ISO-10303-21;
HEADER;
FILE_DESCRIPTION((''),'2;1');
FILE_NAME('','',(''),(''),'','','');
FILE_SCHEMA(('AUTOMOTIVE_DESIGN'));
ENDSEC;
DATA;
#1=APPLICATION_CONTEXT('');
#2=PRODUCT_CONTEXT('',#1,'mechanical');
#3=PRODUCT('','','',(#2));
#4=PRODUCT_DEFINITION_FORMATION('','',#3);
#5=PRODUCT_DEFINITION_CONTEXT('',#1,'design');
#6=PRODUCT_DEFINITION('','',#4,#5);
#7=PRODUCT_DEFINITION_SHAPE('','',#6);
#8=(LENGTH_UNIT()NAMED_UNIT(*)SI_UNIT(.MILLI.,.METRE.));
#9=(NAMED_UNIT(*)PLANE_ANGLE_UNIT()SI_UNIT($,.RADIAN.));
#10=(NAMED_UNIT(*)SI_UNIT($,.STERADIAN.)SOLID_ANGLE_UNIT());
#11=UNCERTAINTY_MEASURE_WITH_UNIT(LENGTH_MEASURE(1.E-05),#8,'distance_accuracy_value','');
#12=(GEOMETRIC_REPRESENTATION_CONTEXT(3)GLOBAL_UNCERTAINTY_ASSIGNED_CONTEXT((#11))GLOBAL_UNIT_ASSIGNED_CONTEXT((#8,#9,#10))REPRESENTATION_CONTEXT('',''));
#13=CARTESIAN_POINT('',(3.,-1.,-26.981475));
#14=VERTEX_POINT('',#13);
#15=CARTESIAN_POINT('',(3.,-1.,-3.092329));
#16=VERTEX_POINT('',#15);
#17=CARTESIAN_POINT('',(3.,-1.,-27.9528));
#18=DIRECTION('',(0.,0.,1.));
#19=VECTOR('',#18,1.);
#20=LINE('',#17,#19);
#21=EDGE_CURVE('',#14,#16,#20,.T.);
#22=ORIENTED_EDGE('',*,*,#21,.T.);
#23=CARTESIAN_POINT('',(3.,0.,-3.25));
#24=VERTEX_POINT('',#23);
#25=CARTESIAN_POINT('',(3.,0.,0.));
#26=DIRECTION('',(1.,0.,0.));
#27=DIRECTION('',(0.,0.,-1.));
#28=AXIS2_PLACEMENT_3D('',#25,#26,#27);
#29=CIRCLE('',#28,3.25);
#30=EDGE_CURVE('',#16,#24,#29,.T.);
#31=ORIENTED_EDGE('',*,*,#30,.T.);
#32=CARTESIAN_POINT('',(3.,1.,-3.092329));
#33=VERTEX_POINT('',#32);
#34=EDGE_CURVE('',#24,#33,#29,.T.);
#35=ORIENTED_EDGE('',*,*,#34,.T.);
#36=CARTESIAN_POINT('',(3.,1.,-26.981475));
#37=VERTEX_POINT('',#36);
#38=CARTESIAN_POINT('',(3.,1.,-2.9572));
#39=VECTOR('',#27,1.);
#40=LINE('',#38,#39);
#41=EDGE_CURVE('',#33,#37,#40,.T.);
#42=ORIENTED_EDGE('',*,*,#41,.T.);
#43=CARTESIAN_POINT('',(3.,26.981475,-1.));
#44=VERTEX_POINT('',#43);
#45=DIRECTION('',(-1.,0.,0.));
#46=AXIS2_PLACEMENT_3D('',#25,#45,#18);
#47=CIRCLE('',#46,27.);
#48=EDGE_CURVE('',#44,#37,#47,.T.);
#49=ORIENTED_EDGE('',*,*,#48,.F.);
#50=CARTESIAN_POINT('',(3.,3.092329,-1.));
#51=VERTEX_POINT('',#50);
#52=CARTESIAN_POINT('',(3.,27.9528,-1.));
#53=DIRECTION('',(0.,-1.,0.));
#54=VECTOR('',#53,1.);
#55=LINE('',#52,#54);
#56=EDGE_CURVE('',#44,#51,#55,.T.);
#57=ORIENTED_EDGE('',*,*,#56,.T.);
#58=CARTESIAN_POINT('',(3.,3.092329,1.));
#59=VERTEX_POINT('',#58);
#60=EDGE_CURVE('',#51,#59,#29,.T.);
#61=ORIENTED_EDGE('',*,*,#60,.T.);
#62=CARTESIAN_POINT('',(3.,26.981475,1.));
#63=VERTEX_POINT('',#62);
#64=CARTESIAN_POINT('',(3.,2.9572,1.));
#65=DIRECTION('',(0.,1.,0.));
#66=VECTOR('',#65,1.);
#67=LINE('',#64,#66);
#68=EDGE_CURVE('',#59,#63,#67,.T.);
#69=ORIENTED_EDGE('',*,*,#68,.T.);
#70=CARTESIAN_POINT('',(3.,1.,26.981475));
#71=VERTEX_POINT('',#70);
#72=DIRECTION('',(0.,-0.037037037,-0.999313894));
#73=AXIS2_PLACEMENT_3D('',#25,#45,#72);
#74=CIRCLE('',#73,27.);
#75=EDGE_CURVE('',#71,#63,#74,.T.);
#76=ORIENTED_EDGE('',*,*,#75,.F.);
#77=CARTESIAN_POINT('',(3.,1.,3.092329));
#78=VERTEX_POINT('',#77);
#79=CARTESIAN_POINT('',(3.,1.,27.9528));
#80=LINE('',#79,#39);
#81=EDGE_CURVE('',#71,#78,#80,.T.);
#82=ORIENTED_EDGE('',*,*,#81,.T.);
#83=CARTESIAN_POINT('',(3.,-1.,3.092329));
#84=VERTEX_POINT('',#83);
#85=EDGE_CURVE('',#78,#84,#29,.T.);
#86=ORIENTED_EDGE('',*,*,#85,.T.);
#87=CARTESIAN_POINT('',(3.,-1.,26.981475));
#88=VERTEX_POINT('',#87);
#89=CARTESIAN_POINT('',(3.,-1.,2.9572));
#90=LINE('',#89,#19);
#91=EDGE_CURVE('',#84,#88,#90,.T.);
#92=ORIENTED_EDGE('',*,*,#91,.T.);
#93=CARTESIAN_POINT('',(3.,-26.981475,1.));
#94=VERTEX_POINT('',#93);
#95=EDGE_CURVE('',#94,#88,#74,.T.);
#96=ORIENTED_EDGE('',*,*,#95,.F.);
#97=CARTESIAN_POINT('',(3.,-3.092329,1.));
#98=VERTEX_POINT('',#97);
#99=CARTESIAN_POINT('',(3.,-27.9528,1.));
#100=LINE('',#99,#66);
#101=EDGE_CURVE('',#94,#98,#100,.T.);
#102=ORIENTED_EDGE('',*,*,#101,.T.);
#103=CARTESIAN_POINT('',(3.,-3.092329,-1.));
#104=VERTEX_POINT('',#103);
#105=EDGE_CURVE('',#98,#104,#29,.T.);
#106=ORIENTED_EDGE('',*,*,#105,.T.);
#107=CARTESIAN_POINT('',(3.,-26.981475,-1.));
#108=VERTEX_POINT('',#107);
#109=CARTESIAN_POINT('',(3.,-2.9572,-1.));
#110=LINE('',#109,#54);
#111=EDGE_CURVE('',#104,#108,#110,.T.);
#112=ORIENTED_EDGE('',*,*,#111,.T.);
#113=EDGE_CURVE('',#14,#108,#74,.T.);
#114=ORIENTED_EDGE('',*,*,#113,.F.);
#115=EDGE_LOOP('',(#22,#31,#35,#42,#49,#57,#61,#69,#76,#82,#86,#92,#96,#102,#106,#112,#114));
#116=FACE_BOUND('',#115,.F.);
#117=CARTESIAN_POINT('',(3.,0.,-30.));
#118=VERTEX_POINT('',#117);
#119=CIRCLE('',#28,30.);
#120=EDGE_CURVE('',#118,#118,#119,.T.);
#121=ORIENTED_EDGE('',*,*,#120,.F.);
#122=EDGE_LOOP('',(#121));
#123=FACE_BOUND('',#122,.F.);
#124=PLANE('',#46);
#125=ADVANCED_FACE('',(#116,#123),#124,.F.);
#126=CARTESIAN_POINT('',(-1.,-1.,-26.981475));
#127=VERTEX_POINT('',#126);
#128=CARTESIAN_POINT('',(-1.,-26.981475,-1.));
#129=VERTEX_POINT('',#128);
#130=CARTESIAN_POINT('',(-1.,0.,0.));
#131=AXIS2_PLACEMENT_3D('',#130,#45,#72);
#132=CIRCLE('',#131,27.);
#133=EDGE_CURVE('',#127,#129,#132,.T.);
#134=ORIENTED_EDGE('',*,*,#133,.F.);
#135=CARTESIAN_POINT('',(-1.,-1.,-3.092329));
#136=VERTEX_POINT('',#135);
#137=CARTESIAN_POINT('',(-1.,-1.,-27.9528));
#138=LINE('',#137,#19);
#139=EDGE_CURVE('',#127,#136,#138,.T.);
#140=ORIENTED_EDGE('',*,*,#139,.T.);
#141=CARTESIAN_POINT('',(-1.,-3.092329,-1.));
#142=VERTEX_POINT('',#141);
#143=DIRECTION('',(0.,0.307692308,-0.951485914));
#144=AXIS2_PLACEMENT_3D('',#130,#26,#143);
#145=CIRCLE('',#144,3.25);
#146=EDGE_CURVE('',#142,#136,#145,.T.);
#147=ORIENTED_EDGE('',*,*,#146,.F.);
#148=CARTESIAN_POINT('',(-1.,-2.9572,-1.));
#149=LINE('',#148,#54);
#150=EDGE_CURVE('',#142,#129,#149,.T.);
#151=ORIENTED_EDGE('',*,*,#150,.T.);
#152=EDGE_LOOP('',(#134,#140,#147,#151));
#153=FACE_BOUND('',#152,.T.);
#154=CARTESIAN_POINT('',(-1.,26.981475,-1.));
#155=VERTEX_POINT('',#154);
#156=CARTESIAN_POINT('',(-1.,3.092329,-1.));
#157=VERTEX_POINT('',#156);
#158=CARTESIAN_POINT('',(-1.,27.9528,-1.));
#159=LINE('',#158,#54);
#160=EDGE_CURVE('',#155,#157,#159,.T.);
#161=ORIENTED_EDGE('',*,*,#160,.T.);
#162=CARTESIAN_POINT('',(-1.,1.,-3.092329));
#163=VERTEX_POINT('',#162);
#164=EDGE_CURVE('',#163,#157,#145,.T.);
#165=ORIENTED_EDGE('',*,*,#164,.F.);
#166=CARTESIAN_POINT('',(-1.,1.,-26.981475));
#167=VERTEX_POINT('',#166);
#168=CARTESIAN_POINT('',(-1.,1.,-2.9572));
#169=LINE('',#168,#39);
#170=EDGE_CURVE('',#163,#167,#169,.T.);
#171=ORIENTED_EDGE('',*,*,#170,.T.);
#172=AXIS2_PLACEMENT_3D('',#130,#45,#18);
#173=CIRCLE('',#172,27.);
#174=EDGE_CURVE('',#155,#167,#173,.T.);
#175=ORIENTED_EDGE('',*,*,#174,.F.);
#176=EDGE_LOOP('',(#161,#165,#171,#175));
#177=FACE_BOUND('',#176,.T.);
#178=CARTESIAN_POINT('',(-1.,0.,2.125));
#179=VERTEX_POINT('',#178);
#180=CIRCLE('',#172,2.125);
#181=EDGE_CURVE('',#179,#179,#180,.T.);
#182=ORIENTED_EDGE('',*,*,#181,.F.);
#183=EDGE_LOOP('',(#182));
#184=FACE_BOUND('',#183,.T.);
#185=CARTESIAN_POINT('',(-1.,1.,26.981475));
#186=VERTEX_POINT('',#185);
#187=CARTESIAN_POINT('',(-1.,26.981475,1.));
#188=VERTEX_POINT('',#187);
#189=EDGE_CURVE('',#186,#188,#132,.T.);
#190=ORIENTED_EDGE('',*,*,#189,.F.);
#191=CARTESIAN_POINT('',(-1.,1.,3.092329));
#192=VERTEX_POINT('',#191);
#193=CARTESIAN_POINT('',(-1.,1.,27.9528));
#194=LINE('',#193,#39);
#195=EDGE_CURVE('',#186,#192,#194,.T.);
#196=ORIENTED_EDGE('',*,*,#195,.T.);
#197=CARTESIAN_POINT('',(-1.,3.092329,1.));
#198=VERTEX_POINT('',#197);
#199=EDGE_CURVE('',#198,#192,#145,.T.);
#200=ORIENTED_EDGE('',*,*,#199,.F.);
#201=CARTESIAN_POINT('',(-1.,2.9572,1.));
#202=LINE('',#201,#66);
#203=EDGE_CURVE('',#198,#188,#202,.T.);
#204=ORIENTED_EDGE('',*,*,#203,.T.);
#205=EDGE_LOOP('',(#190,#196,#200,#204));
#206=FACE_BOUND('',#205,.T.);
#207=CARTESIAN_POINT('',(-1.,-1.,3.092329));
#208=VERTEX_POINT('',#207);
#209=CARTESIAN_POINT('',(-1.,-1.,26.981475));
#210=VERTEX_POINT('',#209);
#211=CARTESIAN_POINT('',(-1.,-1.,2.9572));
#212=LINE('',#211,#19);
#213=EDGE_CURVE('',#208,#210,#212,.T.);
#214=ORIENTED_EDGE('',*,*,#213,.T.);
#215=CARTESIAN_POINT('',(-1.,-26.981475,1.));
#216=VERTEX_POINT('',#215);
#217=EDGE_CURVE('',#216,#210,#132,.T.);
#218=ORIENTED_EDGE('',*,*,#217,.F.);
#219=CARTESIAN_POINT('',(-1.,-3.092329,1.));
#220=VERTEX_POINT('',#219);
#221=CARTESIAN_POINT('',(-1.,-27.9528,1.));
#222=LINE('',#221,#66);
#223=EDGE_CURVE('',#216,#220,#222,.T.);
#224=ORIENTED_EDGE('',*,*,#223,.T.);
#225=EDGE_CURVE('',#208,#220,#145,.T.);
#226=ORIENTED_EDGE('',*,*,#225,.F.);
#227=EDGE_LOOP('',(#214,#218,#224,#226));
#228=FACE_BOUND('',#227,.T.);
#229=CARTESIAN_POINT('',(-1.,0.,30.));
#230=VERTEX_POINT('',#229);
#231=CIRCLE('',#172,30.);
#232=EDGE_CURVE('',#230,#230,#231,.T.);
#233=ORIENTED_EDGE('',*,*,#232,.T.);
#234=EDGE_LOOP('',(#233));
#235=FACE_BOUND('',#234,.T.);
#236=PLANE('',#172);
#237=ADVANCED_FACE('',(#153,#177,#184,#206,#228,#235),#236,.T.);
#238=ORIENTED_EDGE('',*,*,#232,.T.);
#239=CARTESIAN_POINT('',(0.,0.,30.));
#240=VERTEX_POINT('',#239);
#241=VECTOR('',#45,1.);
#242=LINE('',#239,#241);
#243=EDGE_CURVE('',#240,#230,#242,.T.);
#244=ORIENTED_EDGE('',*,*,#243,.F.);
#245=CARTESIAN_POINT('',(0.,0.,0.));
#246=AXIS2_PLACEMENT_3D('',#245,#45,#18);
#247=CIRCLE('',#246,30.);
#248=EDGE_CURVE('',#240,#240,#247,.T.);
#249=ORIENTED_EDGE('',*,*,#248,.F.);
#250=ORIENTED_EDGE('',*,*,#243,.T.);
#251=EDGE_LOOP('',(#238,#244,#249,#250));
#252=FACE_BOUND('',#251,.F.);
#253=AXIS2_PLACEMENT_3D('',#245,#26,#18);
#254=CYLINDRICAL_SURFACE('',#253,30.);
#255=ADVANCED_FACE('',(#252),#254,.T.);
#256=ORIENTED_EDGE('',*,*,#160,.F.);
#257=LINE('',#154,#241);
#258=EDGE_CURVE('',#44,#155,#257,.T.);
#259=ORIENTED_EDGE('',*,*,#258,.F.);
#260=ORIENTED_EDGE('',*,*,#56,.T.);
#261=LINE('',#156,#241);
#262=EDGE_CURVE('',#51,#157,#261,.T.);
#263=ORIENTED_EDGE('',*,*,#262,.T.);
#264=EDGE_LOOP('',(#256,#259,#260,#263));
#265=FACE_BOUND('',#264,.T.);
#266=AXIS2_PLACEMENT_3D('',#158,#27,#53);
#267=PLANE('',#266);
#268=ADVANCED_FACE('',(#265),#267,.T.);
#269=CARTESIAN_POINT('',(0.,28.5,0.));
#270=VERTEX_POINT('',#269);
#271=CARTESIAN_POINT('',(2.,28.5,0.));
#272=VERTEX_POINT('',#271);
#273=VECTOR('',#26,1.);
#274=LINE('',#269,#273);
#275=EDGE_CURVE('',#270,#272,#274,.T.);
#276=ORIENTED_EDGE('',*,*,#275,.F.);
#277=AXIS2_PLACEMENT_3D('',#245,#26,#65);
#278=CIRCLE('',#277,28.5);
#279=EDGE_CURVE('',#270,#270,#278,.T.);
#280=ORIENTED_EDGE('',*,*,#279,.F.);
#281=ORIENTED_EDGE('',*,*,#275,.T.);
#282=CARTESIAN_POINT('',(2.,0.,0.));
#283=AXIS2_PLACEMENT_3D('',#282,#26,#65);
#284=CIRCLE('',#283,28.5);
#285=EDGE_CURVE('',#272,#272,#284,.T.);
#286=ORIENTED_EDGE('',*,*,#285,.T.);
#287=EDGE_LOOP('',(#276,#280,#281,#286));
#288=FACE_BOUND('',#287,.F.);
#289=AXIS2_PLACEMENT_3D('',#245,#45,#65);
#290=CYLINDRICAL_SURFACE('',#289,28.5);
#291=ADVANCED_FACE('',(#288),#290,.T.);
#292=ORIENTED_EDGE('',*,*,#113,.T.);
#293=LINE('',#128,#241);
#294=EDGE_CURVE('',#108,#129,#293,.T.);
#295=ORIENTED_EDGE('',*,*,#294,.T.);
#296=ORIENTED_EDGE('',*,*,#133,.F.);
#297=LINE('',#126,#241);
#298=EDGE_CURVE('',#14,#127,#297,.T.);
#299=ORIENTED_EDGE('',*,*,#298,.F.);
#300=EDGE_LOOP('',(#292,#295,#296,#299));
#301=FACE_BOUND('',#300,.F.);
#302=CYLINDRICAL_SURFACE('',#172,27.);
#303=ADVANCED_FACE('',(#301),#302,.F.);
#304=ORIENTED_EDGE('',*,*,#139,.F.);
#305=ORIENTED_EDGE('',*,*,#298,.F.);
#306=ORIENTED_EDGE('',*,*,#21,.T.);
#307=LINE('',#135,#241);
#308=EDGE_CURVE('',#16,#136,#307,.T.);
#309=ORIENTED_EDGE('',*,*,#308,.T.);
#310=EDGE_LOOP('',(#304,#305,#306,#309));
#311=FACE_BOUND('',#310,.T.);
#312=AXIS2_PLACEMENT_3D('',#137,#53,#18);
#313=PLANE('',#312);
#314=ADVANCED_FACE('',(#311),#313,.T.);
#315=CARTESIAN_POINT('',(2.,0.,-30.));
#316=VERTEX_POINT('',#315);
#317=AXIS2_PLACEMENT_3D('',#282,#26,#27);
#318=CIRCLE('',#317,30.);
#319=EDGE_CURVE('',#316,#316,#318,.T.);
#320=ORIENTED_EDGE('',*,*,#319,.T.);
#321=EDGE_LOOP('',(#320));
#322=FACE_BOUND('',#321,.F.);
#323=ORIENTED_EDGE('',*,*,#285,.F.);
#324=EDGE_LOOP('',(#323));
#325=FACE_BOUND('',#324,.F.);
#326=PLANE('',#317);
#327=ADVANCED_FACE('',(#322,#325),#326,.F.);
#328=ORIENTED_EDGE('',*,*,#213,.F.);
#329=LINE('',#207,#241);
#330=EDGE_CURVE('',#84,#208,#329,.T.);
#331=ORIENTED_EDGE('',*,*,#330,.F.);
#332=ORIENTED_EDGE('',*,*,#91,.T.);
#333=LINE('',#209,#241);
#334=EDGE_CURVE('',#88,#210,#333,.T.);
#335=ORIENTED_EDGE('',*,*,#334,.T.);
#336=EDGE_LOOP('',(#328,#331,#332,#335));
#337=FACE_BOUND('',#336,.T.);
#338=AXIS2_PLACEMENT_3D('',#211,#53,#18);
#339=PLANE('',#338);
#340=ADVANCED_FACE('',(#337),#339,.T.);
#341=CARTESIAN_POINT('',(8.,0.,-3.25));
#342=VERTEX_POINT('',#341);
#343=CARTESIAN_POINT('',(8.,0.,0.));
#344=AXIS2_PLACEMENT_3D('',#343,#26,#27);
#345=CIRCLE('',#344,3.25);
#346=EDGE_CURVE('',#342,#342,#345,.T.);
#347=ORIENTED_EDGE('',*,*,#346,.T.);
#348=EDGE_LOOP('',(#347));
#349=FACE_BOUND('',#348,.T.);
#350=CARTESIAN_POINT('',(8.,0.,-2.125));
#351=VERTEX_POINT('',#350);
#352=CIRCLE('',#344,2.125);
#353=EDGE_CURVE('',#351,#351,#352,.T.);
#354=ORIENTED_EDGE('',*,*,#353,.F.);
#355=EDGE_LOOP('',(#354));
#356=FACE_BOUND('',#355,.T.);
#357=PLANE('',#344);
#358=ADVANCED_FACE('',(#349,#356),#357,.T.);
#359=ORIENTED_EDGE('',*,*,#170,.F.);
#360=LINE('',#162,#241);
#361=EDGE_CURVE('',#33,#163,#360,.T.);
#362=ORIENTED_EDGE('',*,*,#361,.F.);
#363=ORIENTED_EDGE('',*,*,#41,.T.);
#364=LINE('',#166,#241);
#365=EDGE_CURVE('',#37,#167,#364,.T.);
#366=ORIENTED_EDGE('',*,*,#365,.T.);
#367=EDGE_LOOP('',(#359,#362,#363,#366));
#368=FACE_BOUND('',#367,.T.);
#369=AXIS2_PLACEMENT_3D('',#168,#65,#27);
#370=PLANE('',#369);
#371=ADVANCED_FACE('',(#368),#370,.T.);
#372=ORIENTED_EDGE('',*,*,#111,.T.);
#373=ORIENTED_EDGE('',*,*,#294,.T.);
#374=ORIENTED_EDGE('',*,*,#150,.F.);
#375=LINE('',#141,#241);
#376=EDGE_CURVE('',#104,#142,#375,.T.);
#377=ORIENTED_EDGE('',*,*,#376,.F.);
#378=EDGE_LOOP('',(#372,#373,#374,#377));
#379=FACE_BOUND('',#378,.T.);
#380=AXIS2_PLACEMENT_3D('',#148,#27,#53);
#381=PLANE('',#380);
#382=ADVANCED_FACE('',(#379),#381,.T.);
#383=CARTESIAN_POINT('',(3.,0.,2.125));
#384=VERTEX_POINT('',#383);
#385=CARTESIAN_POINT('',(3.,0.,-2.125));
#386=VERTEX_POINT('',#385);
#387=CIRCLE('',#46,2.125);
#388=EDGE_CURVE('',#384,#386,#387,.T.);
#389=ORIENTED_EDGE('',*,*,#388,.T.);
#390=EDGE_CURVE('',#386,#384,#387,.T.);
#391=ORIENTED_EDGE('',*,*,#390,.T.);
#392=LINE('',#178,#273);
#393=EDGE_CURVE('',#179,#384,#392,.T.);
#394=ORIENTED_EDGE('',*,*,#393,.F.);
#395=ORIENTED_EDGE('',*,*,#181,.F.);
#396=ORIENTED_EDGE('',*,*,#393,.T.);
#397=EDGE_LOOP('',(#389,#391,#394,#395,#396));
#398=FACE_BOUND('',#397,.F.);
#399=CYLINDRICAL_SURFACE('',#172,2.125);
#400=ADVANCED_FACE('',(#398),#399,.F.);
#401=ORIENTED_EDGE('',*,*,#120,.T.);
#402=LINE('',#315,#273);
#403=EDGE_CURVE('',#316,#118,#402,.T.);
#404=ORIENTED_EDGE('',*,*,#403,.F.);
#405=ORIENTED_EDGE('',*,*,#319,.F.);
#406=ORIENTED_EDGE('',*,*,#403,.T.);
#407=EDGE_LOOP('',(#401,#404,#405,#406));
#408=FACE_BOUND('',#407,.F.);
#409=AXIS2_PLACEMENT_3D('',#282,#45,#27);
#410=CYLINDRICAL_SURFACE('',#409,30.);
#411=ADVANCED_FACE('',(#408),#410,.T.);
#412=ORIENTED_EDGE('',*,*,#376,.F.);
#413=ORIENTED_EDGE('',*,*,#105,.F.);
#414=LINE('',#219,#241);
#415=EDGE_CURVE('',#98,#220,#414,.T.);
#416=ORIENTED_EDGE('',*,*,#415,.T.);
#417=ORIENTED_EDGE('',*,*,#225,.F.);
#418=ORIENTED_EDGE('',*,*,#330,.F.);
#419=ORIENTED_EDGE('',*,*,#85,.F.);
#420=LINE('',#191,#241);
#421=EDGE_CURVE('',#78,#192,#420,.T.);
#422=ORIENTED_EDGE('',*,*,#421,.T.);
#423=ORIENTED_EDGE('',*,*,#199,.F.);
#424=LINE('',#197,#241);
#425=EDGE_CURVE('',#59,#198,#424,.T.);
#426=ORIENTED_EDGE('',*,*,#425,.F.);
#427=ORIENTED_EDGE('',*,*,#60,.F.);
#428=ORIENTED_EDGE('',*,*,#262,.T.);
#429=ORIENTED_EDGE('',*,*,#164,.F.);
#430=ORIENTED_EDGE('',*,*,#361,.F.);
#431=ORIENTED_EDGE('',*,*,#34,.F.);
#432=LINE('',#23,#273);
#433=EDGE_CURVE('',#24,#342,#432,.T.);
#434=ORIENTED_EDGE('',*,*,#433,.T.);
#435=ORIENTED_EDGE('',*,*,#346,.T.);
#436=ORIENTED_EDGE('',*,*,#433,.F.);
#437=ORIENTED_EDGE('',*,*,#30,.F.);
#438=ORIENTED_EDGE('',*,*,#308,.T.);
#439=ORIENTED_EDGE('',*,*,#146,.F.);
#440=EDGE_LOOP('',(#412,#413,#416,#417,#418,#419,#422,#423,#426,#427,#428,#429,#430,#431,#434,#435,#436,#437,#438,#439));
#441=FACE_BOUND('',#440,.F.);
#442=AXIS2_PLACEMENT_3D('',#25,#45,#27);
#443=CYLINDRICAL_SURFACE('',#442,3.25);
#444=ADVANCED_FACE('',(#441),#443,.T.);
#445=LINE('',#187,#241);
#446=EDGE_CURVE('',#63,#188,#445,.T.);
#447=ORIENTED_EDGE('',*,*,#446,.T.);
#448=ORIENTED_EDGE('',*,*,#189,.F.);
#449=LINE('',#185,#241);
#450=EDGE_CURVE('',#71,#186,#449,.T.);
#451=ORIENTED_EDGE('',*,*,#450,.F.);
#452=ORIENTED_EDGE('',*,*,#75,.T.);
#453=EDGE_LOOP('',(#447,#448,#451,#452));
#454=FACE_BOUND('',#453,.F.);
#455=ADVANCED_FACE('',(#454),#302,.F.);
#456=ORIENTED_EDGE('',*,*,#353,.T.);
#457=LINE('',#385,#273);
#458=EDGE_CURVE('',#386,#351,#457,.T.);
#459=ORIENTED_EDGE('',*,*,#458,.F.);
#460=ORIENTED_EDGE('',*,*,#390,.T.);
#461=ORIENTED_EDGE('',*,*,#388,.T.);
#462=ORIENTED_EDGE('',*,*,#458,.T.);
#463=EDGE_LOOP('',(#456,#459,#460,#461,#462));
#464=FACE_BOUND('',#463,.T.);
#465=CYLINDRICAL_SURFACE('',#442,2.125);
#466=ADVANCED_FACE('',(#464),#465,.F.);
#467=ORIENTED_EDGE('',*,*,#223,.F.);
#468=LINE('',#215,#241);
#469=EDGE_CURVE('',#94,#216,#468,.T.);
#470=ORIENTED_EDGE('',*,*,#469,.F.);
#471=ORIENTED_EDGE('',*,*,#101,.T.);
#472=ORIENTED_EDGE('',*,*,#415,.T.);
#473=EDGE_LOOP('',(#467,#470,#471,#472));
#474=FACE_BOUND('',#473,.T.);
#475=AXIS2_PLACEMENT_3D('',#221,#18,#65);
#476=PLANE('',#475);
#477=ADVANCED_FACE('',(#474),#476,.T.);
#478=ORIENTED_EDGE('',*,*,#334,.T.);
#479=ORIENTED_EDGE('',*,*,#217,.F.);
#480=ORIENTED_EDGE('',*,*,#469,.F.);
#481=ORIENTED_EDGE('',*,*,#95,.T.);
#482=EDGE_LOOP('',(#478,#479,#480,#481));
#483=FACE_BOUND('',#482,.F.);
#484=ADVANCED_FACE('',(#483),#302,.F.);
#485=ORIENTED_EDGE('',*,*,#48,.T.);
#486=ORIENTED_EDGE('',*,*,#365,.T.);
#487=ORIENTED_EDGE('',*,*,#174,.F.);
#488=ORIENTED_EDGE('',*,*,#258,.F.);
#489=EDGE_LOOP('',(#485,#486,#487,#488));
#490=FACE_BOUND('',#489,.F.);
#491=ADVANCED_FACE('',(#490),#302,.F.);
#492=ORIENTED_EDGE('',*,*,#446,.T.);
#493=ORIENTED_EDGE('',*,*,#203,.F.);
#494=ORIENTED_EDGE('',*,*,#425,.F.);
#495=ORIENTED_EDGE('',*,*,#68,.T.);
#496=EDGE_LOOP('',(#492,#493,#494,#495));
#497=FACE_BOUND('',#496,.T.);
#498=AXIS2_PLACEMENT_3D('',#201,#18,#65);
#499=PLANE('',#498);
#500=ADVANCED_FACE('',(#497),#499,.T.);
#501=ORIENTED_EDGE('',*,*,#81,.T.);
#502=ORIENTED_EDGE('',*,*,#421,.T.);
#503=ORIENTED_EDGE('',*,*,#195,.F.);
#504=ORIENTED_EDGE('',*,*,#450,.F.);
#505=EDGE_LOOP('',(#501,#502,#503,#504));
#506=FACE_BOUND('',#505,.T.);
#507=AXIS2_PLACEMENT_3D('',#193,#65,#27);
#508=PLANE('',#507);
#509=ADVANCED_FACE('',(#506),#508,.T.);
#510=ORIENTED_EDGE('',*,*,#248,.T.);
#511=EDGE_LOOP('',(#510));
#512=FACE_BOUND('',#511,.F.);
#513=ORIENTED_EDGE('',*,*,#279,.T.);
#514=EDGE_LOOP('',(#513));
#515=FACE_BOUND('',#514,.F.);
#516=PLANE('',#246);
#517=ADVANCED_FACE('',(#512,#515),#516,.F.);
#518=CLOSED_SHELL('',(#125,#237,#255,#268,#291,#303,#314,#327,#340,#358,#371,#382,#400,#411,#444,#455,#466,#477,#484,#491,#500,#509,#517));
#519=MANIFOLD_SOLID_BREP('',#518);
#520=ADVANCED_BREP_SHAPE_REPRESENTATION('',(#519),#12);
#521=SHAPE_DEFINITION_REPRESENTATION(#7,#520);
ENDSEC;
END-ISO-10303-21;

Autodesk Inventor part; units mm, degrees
ref_plane "YZ Plane" through (0, 0, 0) normal (1, 0, 0) x (0, 1, 0)
ref_plane "XZ Plane" through (0, 0, 0) normal (0, 1, 0) x (-1, 0, 0)
ref_plane "XY Plane" through (0, 0, 0) normal (0, 0, 1) x (1, 0, 0)
sketch "Sketch1" plane through (0, 0, 0) normal (1, 0, 0) x (0, 1, 0)
  circle A0 centre (0, 0) radius 28.5
  dimension "d0" = 57
extrude "Extrusion1" add sketch "Sketch1" along normal blind 2
sketch "Sketch2" plane through (2, 0, 0) normal (1, 0, 0) x (0, 0, -1)
  circle A0 centre (0, 0) radius 30
  dimension "d3" = 60
extrude "Extrusion2" add sketch "Sketch2" along normal blind 1
sketch "Sketch3" plane through (0, 0, 0) normal (-1, 0, 0) x (0, 0, 1)
  circle A0 centre (0, 0) radius 30
  dimension "d6" = 60
extrude "Extrusion3" add sketch "Sketch3" along normal blind 1
sketch "Sketch4" plane through (-1, 0, 0) normal (-1, 0, 0) x (0, 0, 1)
  circle A0 centre (0, 0) radius 27
  dimension "d9" = 54
extrude "Extrusion4" cut sketch "Sketch4" against normal blind 10
sketch "Sketch5" plane through (-1, 0, 0) normal (-1, 0, 0) x (0, 0, 1)
  circle A0 centre (0, 0) radius 2.125
  circle A1 centre (0, 0) radius 3.25
  dimension "d12" = 4.25
  dimension "d13" = 6.5
extrude "Extrusion5" add sketch "Sketch5" against normal blind 4
sketch "Sketch6" plane through (-1, 0, 0) normal (-1, 0, 0) x (0, 0, 1)
  line L0 (-2.9572, 0) -> (-2.9572, 1) construction
  line L1 (-2.9572, 1) -> (-2.9572, -1) construction
  line L2 (-2.9572, 1) -> (-27.9528, 1)
  line L3 (-27.9528, 1) -> (-27.9528, -1)
  line L4 (-27.9528, -1) -> (-2.9572, -1)
  line L5 (-2.9572, -1) -> (-2.9572, 1)
  point P0 (0, 0)
  dimension "d16" = 1
  dimension "d17" = 2
extrude "Extrusion6" add sketch "Sketch6" against normal blind 4
pattern_circular "Circular Pattern1" count 4 over 360 about axis through (-1, 0, 0) along (1, 0, 0) of "Extrusion6"
sketch "Sketch7" plane through (3, 0, 0) normal (1, 0, 0) x (0, 0, -1)
  circle A0 centre (0, 0) radius 2.125
  circle A1 centre (0, 0) radius 3.25
extrude "Extrusion7" add sketch "Sketch7" along normal blind 5
properties part number "mtv_brakeWheel(61mm)_1-14"
